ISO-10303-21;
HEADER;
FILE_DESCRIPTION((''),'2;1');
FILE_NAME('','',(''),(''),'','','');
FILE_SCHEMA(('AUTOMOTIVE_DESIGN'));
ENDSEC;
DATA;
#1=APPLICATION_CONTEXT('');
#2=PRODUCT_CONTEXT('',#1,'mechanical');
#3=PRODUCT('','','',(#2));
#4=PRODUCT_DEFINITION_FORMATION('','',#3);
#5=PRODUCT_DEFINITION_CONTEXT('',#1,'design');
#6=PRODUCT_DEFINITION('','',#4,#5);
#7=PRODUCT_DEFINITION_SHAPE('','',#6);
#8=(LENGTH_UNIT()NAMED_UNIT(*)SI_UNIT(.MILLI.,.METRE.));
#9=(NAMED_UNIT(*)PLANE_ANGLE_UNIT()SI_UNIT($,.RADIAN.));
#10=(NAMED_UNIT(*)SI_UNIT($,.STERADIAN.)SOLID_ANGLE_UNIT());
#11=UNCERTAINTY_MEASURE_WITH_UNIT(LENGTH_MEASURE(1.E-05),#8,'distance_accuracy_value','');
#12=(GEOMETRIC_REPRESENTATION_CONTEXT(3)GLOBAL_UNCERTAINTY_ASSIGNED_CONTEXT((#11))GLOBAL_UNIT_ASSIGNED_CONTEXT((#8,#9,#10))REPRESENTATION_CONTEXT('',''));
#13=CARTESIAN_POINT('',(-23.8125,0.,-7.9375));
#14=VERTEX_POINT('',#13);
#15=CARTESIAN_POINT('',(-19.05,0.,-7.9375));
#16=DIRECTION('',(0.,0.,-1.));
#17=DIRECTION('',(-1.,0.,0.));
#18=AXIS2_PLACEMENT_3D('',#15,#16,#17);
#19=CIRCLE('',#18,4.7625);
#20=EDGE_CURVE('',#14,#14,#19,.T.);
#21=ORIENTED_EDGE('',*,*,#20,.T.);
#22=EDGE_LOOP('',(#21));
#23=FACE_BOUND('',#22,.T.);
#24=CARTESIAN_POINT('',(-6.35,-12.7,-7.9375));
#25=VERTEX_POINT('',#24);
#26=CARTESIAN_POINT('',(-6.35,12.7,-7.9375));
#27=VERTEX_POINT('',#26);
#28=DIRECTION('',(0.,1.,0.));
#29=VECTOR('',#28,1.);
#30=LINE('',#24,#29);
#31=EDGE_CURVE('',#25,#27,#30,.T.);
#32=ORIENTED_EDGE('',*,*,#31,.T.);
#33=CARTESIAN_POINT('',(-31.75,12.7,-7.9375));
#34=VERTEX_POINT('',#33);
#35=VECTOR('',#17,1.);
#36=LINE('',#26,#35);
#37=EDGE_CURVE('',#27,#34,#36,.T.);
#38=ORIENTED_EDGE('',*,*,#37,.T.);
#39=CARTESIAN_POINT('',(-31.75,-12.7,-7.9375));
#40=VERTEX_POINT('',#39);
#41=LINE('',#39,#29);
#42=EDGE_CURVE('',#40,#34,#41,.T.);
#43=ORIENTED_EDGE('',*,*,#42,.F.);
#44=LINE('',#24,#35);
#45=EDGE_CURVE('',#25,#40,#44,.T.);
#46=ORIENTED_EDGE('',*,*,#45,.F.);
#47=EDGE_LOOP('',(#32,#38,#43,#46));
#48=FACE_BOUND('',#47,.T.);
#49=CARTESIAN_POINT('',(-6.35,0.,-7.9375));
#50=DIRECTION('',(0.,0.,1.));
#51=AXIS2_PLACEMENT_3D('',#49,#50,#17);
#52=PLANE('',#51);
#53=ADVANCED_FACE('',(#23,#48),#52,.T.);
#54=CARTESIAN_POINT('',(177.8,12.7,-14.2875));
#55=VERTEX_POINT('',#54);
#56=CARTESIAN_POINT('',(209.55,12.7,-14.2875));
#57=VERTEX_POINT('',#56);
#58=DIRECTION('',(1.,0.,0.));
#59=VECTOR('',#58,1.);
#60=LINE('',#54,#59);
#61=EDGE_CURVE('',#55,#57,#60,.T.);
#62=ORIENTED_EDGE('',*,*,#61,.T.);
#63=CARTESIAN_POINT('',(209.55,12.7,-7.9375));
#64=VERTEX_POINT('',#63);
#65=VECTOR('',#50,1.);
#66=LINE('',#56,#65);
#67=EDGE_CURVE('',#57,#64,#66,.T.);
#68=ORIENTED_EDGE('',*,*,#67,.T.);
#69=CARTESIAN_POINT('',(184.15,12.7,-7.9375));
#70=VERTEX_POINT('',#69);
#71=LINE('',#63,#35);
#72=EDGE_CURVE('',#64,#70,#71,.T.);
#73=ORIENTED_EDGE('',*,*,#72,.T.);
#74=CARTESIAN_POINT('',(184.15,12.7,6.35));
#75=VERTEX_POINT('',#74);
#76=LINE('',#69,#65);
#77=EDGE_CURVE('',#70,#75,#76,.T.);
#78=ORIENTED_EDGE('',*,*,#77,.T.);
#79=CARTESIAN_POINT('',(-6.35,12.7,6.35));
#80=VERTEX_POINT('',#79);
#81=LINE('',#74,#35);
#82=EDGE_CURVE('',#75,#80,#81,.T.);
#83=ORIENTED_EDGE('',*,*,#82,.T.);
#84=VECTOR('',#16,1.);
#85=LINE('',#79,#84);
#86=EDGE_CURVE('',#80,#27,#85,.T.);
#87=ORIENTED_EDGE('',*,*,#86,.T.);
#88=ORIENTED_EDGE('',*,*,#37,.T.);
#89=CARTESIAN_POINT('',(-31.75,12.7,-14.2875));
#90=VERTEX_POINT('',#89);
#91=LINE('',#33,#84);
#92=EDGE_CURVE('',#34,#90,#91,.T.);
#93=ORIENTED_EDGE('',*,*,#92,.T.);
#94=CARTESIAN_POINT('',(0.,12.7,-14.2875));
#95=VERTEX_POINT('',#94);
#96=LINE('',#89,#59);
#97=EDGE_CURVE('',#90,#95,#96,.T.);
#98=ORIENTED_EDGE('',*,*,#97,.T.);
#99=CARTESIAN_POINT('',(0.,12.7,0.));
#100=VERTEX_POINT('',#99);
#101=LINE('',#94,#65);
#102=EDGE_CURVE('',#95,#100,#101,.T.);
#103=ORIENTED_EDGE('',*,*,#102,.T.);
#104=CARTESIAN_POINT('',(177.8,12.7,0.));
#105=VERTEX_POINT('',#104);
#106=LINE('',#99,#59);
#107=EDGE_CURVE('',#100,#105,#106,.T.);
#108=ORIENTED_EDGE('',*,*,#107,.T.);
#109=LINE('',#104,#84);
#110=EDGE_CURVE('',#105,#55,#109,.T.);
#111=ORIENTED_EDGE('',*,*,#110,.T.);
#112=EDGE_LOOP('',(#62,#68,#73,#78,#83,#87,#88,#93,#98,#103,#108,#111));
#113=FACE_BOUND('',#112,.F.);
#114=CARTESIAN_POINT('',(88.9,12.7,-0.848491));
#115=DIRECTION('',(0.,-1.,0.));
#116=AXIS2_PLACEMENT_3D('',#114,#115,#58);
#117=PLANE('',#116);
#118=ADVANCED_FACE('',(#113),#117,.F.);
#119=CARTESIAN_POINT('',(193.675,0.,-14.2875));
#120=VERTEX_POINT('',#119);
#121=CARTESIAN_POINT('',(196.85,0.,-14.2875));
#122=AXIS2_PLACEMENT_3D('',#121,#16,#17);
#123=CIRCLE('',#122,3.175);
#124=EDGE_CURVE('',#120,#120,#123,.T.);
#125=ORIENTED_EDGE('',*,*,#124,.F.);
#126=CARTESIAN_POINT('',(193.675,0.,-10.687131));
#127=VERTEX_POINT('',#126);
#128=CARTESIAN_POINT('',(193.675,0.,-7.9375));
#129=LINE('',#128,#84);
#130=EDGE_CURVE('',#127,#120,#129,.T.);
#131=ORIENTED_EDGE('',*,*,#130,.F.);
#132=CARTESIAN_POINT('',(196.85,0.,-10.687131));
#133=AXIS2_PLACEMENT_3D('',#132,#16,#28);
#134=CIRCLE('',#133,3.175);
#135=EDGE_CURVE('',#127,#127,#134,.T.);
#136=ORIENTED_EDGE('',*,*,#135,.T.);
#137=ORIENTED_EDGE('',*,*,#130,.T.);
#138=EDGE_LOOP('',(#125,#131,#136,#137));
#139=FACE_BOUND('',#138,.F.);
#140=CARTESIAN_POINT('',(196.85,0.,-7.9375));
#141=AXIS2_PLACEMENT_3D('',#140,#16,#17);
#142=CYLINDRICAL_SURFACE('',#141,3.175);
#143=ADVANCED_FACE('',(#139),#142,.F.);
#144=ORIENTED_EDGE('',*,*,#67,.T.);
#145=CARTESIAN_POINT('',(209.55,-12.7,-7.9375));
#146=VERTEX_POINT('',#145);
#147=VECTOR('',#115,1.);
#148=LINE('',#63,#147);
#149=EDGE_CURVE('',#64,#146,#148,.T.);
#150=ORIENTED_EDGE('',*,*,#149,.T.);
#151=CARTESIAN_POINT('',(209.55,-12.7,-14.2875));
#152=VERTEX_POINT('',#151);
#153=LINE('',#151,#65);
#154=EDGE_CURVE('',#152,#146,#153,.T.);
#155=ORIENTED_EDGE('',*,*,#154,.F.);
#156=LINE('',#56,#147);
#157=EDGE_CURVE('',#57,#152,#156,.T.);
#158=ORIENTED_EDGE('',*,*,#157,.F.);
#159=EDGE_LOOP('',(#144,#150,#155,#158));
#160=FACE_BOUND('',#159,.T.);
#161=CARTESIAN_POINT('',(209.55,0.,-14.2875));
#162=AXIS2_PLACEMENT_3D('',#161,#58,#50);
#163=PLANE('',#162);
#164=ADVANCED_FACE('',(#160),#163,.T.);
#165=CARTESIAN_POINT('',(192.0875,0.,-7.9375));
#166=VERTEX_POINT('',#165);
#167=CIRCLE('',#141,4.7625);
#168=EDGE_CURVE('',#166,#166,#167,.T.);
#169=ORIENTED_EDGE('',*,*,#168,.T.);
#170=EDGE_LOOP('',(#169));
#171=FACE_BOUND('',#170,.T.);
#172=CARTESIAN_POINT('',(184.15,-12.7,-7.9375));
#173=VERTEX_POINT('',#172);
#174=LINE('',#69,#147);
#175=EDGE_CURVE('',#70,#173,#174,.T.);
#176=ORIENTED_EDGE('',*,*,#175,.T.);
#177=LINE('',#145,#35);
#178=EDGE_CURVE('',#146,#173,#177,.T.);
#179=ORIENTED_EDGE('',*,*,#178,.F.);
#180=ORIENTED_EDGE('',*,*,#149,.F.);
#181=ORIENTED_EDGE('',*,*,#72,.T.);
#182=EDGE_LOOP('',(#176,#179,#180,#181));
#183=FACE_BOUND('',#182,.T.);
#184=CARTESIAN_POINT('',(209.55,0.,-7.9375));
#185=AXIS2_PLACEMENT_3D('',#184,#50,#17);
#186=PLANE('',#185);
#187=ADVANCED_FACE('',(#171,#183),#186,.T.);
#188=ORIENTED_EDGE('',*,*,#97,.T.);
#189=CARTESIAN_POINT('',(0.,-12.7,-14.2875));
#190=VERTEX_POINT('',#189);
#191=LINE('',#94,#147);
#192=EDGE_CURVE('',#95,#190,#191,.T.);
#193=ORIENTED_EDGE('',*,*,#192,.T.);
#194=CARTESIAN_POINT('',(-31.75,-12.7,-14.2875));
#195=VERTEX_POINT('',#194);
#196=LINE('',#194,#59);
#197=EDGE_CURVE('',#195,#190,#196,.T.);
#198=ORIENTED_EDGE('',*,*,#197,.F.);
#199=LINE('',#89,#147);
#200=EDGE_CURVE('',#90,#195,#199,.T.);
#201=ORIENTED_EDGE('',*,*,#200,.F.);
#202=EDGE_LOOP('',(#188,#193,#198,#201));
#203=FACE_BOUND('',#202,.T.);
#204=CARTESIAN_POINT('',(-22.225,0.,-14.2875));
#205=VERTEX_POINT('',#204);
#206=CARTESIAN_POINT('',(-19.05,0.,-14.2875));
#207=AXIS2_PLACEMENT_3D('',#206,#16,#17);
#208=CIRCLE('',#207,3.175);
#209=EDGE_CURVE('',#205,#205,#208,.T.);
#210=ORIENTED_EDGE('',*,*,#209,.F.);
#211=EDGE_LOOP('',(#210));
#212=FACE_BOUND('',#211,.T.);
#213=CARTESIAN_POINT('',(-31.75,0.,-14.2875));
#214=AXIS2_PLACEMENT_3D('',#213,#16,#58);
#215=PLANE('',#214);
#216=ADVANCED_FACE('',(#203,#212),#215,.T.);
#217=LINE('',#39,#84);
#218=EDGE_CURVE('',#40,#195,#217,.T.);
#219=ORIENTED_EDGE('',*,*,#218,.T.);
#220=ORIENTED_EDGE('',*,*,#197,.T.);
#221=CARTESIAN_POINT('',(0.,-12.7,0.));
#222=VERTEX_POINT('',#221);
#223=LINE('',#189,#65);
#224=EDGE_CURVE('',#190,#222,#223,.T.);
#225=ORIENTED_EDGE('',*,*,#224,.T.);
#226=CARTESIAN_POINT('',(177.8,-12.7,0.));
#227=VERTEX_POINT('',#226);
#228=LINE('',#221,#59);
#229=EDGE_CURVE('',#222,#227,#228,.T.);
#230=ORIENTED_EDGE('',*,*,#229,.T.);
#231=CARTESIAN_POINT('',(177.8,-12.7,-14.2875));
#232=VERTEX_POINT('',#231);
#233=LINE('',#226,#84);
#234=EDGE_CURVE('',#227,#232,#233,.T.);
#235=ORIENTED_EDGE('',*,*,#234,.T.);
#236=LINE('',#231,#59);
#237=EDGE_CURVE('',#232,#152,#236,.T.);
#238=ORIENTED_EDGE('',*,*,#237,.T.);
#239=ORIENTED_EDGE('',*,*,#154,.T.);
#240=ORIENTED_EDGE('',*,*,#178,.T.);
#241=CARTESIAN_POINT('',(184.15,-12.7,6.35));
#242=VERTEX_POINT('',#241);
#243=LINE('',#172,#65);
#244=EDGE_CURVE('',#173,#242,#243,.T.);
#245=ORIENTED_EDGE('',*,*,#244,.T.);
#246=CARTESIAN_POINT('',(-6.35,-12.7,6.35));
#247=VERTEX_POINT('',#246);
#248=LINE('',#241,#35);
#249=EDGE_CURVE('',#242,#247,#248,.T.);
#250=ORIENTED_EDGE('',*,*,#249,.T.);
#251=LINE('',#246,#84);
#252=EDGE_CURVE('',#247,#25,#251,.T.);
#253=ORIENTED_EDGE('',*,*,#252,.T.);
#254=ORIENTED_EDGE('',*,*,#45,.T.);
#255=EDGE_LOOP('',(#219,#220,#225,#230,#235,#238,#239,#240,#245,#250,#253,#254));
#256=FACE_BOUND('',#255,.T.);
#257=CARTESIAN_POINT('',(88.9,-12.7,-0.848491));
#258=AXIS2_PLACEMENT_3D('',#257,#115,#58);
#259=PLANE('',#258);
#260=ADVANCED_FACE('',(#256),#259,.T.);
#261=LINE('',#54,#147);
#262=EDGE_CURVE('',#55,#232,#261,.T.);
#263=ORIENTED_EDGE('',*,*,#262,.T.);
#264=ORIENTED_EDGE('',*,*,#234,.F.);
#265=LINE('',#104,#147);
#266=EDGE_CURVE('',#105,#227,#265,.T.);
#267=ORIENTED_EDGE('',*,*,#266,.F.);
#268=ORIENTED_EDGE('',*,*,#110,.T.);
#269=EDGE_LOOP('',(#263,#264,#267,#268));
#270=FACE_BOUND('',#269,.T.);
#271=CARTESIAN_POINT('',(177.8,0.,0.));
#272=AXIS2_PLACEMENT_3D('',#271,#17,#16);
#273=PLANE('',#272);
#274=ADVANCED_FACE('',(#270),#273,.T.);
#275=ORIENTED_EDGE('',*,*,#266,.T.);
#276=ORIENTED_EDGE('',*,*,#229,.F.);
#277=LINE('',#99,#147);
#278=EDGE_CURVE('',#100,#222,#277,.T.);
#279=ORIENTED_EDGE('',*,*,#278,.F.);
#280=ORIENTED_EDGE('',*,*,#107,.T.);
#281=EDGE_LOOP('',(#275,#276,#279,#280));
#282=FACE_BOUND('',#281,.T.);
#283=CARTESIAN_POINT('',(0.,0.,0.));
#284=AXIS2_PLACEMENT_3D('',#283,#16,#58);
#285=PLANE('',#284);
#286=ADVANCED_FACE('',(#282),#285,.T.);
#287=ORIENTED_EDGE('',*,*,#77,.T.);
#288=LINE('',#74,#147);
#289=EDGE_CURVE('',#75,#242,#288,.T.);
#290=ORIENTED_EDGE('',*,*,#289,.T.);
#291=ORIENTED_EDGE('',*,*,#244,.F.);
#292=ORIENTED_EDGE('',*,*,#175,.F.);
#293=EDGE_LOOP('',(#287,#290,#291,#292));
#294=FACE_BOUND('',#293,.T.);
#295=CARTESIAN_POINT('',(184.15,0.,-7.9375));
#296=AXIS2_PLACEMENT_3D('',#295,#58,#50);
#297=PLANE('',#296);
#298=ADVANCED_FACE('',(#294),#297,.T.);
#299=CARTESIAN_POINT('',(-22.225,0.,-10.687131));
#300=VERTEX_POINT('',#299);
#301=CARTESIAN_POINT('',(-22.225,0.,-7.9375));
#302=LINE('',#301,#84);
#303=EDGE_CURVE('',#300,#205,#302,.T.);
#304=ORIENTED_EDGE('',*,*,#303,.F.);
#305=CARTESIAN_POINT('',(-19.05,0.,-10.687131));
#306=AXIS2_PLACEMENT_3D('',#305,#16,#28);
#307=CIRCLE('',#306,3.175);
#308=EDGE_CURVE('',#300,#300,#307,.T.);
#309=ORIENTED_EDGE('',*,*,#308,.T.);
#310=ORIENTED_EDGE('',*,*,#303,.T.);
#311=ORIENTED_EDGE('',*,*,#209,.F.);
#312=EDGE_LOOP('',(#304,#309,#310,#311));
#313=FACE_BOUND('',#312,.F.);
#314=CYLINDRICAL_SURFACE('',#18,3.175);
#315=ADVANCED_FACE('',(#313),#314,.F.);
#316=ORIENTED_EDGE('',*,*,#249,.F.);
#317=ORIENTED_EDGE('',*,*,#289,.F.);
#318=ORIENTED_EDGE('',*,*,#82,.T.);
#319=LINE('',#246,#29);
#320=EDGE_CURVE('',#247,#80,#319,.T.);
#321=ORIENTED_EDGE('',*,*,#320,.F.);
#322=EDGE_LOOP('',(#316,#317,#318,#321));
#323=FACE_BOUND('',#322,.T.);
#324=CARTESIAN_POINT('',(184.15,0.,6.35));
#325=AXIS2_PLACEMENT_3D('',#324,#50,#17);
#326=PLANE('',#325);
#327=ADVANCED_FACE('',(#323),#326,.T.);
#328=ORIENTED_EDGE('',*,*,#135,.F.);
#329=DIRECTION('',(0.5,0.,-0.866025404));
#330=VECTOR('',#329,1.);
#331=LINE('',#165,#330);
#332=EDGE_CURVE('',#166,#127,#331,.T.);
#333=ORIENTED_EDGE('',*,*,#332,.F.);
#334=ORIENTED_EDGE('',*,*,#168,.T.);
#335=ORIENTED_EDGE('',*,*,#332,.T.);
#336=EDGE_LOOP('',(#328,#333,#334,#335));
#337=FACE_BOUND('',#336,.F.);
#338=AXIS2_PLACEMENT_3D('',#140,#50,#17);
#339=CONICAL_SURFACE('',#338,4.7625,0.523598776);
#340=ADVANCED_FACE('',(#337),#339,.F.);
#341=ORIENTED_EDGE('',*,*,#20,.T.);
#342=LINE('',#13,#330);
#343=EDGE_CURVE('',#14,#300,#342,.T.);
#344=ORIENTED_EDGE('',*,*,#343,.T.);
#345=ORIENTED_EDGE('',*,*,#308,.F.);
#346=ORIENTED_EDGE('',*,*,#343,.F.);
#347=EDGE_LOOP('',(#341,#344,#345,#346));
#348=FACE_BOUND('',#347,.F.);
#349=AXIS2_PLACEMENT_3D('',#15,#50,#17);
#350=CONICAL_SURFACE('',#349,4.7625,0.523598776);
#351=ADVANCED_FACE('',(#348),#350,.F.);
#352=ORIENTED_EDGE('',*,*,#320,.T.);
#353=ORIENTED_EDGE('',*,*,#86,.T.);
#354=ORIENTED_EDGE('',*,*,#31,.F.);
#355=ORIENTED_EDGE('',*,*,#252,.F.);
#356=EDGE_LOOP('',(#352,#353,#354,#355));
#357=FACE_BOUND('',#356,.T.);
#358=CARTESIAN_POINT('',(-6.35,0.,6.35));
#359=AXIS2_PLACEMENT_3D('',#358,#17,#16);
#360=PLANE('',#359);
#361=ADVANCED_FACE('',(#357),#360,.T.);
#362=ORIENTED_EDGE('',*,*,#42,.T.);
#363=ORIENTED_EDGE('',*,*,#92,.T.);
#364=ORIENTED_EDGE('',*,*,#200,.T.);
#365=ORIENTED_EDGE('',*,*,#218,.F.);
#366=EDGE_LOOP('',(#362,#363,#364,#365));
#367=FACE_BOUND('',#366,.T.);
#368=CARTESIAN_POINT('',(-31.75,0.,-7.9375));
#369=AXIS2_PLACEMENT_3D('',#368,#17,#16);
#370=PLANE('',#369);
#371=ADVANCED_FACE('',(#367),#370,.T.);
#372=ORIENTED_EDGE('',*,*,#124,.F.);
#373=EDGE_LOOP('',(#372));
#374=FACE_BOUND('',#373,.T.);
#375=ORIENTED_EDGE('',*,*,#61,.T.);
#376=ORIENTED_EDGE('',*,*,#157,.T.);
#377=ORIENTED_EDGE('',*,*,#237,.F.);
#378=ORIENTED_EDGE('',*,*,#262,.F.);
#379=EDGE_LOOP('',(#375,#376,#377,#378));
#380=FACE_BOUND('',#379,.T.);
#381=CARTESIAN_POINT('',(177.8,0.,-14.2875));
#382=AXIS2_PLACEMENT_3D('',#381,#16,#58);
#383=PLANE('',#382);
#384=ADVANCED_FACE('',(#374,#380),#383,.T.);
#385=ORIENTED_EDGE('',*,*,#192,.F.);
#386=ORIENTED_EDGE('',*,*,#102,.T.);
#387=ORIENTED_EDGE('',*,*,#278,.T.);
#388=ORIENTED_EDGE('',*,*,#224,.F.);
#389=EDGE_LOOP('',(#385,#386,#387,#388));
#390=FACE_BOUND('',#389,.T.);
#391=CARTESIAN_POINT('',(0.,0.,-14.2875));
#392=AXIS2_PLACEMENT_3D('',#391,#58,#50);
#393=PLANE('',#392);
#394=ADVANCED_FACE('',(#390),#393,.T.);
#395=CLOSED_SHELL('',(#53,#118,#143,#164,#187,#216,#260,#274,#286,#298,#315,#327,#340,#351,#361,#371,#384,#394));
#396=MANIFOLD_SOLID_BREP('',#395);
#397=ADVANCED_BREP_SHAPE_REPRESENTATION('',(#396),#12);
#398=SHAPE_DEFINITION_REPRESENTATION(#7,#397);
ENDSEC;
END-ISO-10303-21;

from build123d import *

# Parameters (mm, degrees)
F3_DEPTH       = 12.7
F5_D           = 6.35
F5_CSINK_D     = 9.525
F5_CSINK_ANGLE = 60


with BuildPart() as f3:
    # F2 (on Front) → F3 (new body, symmetric)
    with BuildSketch(Plane.XZ):
        Polygon((-31.75, -7.9375), (-31.75, -14.2875), (0, -14.2875), (0, 0), (177.8, 0), (177.8, -14.2875), (209.55, -14.2875), (209.55, -7.9375), (184.15, -7.9375), (184.15, 6.35), (-6.35, 6.35), (-6.35, -7.9375), align=None)
    extrude(amount=F3_DEPTH, both=True)

    # F5 (through all)
    with Locations(Plane.XY.offset(-7.9375)):
        with Locations((-19.05, 0), (196.85, 0)):
            CounterSinkHole(F5_D / 2, F5_CSINK_D / 2, counter_sink_angle=F5_CSINK_ANGLE)


solid = f3.part
